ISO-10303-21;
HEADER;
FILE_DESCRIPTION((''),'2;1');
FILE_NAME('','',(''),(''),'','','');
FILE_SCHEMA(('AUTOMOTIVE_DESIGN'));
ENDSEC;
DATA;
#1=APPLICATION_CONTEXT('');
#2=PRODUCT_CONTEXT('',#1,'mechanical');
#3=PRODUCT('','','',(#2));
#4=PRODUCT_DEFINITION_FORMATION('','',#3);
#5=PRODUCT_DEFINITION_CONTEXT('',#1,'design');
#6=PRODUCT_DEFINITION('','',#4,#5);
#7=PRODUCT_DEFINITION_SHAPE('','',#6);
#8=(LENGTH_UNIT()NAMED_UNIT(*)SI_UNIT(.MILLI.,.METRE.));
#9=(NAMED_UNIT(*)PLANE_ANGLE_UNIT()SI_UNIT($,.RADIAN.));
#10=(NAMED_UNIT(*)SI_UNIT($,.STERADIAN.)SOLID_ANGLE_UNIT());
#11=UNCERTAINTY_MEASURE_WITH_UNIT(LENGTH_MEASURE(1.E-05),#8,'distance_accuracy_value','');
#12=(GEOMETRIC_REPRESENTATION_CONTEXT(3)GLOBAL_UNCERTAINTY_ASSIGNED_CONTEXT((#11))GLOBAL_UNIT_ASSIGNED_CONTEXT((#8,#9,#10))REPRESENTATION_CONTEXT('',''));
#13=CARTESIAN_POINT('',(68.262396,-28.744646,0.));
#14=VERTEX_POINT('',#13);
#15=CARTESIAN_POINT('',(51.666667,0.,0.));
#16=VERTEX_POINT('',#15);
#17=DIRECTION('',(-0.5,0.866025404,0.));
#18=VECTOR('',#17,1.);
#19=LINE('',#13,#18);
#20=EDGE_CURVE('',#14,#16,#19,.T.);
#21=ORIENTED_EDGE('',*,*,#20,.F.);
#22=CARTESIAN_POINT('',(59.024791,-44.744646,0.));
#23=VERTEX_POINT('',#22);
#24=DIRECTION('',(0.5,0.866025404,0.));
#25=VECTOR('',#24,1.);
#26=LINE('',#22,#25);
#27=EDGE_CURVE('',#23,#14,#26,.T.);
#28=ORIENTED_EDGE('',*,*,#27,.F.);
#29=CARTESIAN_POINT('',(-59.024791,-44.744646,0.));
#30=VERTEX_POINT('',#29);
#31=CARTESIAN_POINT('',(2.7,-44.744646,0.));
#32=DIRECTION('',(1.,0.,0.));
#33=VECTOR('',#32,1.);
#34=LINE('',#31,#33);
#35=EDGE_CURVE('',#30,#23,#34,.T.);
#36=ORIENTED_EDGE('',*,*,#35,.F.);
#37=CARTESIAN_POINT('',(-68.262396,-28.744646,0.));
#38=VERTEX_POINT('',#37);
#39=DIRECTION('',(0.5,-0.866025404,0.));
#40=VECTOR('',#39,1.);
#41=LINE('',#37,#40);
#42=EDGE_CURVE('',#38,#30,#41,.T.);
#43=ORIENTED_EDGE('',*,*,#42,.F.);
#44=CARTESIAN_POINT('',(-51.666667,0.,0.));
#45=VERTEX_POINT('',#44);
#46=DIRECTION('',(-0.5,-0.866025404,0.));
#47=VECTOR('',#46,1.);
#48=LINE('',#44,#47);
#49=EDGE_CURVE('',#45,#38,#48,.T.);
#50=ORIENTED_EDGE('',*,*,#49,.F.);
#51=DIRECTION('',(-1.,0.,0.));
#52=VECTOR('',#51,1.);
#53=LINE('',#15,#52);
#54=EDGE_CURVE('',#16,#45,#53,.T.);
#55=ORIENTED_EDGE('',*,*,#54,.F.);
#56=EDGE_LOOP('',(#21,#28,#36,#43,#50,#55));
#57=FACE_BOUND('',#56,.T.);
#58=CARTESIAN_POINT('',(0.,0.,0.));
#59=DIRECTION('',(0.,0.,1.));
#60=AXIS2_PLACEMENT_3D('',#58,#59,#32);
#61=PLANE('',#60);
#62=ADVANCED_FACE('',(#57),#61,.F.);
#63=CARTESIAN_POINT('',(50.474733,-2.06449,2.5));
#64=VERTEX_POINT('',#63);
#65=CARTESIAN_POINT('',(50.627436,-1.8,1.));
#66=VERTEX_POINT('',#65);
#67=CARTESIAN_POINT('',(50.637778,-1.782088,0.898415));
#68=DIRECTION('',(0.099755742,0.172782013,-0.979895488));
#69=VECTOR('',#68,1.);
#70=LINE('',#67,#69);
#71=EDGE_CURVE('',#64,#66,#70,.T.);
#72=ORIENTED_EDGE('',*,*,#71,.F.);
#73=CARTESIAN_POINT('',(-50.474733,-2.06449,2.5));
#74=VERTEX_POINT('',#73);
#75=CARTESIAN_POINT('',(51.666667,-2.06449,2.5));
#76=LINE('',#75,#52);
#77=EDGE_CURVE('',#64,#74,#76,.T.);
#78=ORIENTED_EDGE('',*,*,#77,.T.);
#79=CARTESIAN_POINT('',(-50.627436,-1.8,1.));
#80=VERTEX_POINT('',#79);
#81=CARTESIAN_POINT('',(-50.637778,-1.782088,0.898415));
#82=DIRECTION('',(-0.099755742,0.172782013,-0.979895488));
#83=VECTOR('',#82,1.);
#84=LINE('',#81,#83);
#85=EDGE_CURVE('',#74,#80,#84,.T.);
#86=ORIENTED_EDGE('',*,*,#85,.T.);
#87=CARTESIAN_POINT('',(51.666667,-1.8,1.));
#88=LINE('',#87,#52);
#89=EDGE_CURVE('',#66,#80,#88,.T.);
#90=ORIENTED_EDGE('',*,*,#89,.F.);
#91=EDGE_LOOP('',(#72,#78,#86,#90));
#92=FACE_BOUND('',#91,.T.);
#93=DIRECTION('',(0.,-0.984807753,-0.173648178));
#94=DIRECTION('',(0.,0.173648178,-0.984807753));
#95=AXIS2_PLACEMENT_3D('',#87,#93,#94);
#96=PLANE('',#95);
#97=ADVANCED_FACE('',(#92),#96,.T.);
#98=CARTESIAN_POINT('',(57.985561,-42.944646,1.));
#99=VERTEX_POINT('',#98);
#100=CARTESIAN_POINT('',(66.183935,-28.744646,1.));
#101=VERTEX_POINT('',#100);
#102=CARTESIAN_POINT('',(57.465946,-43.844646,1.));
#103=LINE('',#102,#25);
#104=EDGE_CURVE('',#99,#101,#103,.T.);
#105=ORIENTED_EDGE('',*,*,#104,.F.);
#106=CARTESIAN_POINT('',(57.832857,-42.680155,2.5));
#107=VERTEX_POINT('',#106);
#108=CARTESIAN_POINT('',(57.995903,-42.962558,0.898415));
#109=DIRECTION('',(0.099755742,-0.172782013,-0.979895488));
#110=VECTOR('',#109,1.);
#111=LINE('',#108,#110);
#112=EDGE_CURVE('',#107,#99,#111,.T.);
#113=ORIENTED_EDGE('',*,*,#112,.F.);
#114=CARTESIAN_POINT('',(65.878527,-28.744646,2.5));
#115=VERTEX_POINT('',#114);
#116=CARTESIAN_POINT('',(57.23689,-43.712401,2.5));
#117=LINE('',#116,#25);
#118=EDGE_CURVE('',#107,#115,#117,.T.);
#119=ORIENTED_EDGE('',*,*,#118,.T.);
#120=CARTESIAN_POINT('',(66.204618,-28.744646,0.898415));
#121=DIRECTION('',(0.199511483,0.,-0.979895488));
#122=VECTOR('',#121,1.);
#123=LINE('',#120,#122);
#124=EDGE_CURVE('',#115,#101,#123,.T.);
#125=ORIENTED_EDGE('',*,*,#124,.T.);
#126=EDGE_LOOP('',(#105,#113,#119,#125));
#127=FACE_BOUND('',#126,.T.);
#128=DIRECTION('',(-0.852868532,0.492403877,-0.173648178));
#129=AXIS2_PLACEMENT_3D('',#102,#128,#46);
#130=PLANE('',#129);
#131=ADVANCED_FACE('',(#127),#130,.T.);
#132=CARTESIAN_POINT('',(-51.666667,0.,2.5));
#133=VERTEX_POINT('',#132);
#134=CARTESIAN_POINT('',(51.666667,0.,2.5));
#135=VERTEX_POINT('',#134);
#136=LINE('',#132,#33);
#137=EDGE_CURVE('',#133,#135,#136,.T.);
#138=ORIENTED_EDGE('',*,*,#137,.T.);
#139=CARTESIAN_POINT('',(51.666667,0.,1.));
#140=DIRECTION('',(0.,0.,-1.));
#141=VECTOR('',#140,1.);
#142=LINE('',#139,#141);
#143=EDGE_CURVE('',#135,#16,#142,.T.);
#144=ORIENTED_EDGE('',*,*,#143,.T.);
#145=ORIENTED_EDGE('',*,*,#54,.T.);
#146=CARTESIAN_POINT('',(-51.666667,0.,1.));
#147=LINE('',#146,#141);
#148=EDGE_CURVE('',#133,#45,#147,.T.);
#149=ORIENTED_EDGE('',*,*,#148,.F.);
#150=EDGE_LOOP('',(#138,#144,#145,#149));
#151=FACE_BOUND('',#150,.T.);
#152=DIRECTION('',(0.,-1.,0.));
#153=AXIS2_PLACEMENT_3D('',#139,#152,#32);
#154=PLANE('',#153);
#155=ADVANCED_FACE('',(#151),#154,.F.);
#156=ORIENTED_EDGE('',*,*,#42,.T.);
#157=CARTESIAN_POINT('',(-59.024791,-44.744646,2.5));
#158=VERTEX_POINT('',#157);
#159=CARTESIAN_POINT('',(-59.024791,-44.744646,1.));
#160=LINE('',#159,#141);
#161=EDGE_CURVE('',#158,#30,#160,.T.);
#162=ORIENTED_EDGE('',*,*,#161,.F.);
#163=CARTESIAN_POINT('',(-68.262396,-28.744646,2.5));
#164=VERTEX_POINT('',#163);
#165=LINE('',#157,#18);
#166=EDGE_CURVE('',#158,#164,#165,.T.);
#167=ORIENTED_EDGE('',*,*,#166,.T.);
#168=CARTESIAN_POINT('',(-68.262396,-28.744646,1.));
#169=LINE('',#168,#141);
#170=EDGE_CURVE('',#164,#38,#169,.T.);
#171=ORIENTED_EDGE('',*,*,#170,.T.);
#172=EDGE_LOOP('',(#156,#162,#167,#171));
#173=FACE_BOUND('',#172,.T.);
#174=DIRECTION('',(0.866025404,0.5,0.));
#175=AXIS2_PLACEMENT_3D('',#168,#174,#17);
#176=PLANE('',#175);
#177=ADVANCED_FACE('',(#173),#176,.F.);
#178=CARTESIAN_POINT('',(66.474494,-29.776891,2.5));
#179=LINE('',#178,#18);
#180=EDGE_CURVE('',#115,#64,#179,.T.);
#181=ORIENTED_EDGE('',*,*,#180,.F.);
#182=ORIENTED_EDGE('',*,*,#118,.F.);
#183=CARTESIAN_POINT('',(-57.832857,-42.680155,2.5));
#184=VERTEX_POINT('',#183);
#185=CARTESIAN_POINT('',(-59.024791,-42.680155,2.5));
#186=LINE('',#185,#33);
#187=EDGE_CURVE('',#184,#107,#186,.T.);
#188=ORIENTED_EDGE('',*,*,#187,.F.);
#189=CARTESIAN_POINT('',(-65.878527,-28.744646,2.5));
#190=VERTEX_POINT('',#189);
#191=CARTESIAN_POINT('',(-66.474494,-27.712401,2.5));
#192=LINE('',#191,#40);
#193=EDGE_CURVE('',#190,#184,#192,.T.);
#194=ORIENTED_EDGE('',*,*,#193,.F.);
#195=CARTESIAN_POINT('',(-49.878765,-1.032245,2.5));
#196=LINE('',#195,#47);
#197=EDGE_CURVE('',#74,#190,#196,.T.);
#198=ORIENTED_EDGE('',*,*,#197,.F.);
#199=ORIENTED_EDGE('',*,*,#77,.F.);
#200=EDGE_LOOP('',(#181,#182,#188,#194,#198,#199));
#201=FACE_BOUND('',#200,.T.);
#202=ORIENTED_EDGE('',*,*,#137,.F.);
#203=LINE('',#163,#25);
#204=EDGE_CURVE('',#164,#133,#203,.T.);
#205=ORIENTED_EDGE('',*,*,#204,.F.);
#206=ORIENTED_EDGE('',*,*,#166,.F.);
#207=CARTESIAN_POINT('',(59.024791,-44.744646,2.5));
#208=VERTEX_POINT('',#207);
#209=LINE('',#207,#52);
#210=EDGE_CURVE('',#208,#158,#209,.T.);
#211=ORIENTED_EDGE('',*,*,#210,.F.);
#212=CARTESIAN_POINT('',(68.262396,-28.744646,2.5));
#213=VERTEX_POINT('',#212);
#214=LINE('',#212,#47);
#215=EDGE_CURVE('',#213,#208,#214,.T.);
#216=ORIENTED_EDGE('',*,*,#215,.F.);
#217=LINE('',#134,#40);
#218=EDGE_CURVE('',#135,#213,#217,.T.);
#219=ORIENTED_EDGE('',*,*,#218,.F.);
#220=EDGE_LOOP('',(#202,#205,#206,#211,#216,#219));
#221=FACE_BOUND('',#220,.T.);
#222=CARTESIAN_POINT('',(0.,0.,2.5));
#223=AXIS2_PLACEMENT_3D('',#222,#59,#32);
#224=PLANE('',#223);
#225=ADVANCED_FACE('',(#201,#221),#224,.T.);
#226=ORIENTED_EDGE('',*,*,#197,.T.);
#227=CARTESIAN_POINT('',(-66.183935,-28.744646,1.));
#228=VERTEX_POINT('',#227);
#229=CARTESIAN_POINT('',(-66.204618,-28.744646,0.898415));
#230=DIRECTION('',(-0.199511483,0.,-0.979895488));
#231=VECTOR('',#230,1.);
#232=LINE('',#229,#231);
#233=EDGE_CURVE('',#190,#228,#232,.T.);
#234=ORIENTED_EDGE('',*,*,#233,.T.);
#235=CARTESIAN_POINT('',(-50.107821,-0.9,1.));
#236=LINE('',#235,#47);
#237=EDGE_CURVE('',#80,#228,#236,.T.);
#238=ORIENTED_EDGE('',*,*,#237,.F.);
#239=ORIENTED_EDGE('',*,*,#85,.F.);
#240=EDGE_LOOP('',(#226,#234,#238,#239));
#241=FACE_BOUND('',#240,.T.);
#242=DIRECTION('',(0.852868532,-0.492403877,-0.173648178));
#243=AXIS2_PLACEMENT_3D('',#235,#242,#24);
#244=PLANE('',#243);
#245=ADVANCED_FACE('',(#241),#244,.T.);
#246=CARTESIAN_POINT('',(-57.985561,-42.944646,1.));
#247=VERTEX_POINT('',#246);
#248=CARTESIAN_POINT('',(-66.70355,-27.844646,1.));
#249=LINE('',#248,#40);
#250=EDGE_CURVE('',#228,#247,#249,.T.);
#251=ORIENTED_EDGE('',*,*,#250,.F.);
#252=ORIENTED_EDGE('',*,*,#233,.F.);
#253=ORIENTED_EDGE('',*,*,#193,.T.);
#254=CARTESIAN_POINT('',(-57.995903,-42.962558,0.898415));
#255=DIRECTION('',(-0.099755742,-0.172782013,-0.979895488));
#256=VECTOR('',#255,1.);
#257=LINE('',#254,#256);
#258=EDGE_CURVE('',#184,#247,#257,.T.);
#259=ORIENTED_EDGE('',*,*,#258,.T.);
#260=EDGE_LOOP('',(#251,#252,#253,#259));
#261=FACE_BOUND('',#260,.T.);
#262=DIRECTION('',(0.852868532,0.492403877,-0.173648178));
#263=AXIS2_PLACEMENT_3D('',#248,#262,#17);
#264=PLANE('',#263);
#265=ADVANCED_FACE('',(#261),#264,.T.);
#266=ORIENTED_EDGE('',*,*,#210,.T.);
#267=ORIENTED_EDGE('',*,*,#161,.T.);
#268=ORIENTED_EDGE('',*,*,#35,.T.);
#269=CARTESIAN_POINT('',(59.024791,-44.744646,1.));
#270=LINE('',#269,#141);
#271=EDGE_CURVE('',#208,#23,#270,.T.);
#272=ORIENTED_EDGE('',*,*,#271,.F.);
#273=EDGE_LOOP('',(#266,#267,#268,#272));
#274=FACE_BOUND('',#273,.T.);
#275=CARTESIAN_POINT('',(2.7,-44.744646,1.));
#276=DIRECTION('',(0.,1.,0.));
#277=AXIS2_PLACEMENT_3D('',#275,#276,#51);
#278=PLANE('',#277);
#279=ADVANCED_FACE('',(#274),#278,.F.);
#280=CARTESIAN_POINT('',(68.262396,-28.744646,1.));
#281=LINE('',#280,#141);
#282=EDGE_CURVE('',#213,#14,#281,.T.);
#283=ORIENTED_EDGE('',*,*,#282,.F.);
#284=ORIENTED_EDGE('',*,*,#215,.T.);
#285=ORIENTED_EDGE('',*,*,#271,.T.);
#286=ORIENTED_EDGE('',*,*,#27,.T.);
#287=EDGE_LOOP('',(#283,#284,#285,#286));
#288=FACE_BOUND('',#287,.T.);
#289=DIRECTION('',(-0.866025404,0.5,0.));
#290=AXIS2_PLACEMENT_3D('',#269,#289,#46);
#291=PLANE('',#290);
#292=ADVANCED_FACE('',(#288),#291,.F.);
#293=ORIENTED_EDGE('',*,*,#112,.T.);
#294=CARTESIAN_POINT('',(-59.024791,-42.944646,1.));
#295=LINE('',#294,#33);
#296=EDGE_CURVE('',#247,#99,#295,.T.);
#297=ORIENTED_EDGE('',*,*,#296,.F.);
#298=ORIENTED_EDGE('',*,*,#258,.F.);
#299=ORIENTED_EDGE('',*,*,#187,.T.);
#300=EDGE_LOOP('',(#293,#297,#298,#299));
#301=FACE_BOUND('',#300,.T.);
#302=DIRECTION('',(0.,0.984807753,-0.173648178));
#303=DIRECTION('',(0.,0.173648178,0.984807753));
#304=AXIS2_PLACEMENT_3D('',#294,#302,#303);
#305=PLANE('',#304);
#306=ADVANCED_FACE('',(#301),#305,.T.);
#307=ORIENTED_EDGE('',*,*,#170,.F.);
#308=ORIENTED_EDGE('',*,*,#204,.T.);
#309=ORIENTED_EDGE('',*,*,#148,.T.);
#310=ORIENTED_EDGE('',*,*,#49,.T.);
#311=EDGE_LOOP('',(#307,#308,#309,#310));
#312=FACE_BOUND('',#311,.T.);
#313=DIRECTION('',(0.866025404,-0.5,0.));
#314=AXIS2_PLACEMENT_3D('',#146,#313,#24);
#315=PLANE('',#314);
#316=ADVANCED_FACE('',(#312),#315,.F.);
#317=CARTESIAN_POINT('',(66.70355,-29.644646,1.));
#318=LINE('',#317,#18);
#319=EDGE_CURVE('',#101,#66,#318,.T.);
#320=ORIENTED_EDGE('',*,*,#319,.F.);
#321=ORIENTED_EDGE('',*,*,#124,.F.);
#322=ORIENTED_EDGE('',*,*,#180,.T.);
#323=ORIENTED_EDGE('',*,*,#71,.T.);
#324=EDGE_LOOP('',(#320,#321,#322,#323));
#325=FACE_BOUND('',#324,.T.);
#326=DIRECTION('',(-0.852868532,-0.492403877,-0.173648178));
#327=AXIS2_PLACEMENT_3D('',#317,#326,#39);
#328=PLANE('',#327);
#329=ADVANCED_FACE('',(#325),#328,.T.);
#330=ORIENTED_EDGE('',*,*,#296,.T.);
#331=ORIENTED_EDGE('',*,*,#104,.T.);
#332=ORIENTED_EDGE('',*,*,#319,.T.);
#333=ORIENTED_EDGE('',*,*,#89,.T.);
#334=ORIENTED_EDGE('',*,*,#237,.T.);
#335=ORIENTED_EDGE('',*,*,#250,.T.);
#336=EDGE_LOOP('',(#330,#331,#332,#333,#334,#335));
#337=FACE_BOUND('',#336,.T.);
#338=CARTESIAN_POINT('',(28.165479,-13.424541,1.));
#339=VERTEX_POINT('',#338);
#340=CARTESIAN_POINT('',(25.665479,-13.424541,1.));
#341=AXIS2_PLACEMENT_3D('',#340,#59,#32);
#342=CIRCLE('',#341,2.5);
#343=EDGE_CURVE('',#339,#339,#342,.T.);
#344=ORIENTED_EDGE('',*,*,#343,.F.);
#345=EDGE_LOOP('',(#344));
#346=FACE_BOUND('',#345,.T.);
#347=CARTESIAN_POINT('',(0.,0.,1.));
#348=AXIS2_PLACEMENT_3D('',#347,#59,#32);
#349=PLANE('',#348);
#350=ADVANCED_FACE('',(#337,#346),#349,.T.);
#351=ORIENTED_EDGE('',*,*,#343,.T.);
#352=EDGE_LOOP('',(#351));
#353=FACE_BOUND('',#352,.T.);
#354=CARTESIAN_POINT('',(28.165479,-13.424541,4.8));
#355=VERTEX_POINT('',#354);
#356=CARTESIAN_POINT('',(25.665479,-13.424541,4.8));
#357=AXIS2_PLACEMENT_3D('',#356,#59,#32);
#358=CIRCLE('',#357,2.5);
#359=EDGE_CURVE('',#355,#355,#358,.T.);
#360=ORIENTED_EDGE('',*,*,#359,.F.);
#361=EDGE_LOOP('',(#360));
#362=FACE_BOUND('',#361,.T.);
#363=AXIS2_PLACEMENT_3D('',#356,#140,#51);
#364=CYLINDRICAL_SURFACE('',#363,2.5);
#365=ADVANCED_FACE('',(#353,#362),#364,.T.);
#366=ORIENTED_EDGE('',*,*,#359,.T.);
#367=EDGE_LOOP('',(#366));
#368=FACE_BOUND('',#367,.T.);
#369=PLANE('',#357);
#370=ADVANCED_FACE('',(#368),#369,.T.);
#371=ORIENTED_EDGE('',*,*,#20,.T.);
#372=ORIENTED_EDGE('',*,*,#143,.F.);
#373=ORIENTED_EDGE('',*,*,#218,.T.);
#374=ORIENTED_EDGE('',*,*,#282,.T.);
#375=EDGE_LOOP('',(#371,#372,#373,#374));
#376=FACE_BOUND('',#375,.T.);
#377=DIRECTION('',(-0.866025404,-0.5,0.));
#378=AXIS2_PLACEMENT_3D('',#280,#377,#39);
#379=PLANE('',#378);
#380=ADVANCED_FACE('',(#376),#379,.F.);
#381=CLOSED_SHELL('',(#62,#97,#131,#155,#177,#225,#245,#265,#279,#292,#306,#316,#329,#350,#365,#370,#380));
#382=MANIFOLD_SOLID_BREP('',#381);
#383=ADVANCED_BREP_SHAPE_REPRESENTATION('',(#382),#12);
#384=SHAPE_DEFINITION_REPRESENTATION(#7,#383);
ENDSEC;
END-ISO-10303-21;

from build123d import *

# Parameters (mm, degrees)
BOSS_EXTRU_1_DEPTH              = 1
EXTRU_MINCE1_DEPTH              = 1.5
EXTRU_MINCE1_TAPER              = -10
ENL_V_DE_MAT_EXTRU_MINCE1_DEPTH = 3.5000001
ESQUISSE4_R                     = 2.5
BOSS_EXTRU_2_DEPTH              = 3.8


with BuildPart() as part:
    # Esquisse1 → Boss.-Extru.1 (new body)
    with BuildSketch(Plane.XY):
        Polygon((-59.024791386, -44.744645862), (2.7, -44.744645862), (59.024791386, -44.744645862), (68.262395693, -28.744645862), (51.666666667, 0), (-51.666666667, 0), (-68.262395693, -28.744645862), align=None)
    extrude(amount=BOSS_EXTRU_1_DEPTH)

    # Esquisse2 → Extru.-Mince1 (add)
    with BuildSketch(Plane.XY.offset(1)):
        Polygon((-68.262395693, -28.744645862), (-59.024791386, -44.744645862), (59.024791386, -44.744645862), (68.262395693, -28.744645862), (51.666666667, 0), (-51.666666667, 0), align=None)
        Polygon((-66.183934724, -28.744645862), (-57.985560901, -42.944645862), (57.985560901, -42.944645862), (66.183934724, -28.744645862), (50.627436182, -1.8), (-50.627436182, -1.8), align=None, mode=Mode.SUBTRACT)
    extrude(amount=EXTRU_MINCE1_DEPTH, taper=EXTRU_MINCE1_TAPER)

    # Esquisse3 → Enlèv. de mat.-Extru.-Mince1 (cut, through all)
    with BuildSketch(Plane(origin=(0, 0, 0), x_dir=(-1, 0, 0), z_dir=(0, 0, -1))):
        Polygon((60.121756897, -46.644645862), (70.456326716, -28.744645862), (52.763632178, 1.9), (-52.763632178, 1.9), (-70.456326716, -28.744645862), (-60.121756897, -46.644645862), align=None)
        Polygon((59.024791386, -44.744645862), (68.262395693, -28.744645862), (51.666666667, 0), (-51.666666667, 0), (-68.262395693, -28.744645862), (-59.024791386, -44.744645862), align=None, mode=Mode.SUBTRACT)
    extrude(amount=-ENL_V_DE_MAT_EXTRU_MINCE1_DEPTH, mode=Mode.SUBTRACT)

    # Esquisse4 → Boss.-Extru.2 (add)
    with BuildSketch(Plane.XY.offset(1)):
        with Locations((25.665479371, -13.424541306)):
            Circle(ESQUISSE4_R)
    extrude(amount=BOSS_EXTRU_2_DEPTH)


solid = part.part
